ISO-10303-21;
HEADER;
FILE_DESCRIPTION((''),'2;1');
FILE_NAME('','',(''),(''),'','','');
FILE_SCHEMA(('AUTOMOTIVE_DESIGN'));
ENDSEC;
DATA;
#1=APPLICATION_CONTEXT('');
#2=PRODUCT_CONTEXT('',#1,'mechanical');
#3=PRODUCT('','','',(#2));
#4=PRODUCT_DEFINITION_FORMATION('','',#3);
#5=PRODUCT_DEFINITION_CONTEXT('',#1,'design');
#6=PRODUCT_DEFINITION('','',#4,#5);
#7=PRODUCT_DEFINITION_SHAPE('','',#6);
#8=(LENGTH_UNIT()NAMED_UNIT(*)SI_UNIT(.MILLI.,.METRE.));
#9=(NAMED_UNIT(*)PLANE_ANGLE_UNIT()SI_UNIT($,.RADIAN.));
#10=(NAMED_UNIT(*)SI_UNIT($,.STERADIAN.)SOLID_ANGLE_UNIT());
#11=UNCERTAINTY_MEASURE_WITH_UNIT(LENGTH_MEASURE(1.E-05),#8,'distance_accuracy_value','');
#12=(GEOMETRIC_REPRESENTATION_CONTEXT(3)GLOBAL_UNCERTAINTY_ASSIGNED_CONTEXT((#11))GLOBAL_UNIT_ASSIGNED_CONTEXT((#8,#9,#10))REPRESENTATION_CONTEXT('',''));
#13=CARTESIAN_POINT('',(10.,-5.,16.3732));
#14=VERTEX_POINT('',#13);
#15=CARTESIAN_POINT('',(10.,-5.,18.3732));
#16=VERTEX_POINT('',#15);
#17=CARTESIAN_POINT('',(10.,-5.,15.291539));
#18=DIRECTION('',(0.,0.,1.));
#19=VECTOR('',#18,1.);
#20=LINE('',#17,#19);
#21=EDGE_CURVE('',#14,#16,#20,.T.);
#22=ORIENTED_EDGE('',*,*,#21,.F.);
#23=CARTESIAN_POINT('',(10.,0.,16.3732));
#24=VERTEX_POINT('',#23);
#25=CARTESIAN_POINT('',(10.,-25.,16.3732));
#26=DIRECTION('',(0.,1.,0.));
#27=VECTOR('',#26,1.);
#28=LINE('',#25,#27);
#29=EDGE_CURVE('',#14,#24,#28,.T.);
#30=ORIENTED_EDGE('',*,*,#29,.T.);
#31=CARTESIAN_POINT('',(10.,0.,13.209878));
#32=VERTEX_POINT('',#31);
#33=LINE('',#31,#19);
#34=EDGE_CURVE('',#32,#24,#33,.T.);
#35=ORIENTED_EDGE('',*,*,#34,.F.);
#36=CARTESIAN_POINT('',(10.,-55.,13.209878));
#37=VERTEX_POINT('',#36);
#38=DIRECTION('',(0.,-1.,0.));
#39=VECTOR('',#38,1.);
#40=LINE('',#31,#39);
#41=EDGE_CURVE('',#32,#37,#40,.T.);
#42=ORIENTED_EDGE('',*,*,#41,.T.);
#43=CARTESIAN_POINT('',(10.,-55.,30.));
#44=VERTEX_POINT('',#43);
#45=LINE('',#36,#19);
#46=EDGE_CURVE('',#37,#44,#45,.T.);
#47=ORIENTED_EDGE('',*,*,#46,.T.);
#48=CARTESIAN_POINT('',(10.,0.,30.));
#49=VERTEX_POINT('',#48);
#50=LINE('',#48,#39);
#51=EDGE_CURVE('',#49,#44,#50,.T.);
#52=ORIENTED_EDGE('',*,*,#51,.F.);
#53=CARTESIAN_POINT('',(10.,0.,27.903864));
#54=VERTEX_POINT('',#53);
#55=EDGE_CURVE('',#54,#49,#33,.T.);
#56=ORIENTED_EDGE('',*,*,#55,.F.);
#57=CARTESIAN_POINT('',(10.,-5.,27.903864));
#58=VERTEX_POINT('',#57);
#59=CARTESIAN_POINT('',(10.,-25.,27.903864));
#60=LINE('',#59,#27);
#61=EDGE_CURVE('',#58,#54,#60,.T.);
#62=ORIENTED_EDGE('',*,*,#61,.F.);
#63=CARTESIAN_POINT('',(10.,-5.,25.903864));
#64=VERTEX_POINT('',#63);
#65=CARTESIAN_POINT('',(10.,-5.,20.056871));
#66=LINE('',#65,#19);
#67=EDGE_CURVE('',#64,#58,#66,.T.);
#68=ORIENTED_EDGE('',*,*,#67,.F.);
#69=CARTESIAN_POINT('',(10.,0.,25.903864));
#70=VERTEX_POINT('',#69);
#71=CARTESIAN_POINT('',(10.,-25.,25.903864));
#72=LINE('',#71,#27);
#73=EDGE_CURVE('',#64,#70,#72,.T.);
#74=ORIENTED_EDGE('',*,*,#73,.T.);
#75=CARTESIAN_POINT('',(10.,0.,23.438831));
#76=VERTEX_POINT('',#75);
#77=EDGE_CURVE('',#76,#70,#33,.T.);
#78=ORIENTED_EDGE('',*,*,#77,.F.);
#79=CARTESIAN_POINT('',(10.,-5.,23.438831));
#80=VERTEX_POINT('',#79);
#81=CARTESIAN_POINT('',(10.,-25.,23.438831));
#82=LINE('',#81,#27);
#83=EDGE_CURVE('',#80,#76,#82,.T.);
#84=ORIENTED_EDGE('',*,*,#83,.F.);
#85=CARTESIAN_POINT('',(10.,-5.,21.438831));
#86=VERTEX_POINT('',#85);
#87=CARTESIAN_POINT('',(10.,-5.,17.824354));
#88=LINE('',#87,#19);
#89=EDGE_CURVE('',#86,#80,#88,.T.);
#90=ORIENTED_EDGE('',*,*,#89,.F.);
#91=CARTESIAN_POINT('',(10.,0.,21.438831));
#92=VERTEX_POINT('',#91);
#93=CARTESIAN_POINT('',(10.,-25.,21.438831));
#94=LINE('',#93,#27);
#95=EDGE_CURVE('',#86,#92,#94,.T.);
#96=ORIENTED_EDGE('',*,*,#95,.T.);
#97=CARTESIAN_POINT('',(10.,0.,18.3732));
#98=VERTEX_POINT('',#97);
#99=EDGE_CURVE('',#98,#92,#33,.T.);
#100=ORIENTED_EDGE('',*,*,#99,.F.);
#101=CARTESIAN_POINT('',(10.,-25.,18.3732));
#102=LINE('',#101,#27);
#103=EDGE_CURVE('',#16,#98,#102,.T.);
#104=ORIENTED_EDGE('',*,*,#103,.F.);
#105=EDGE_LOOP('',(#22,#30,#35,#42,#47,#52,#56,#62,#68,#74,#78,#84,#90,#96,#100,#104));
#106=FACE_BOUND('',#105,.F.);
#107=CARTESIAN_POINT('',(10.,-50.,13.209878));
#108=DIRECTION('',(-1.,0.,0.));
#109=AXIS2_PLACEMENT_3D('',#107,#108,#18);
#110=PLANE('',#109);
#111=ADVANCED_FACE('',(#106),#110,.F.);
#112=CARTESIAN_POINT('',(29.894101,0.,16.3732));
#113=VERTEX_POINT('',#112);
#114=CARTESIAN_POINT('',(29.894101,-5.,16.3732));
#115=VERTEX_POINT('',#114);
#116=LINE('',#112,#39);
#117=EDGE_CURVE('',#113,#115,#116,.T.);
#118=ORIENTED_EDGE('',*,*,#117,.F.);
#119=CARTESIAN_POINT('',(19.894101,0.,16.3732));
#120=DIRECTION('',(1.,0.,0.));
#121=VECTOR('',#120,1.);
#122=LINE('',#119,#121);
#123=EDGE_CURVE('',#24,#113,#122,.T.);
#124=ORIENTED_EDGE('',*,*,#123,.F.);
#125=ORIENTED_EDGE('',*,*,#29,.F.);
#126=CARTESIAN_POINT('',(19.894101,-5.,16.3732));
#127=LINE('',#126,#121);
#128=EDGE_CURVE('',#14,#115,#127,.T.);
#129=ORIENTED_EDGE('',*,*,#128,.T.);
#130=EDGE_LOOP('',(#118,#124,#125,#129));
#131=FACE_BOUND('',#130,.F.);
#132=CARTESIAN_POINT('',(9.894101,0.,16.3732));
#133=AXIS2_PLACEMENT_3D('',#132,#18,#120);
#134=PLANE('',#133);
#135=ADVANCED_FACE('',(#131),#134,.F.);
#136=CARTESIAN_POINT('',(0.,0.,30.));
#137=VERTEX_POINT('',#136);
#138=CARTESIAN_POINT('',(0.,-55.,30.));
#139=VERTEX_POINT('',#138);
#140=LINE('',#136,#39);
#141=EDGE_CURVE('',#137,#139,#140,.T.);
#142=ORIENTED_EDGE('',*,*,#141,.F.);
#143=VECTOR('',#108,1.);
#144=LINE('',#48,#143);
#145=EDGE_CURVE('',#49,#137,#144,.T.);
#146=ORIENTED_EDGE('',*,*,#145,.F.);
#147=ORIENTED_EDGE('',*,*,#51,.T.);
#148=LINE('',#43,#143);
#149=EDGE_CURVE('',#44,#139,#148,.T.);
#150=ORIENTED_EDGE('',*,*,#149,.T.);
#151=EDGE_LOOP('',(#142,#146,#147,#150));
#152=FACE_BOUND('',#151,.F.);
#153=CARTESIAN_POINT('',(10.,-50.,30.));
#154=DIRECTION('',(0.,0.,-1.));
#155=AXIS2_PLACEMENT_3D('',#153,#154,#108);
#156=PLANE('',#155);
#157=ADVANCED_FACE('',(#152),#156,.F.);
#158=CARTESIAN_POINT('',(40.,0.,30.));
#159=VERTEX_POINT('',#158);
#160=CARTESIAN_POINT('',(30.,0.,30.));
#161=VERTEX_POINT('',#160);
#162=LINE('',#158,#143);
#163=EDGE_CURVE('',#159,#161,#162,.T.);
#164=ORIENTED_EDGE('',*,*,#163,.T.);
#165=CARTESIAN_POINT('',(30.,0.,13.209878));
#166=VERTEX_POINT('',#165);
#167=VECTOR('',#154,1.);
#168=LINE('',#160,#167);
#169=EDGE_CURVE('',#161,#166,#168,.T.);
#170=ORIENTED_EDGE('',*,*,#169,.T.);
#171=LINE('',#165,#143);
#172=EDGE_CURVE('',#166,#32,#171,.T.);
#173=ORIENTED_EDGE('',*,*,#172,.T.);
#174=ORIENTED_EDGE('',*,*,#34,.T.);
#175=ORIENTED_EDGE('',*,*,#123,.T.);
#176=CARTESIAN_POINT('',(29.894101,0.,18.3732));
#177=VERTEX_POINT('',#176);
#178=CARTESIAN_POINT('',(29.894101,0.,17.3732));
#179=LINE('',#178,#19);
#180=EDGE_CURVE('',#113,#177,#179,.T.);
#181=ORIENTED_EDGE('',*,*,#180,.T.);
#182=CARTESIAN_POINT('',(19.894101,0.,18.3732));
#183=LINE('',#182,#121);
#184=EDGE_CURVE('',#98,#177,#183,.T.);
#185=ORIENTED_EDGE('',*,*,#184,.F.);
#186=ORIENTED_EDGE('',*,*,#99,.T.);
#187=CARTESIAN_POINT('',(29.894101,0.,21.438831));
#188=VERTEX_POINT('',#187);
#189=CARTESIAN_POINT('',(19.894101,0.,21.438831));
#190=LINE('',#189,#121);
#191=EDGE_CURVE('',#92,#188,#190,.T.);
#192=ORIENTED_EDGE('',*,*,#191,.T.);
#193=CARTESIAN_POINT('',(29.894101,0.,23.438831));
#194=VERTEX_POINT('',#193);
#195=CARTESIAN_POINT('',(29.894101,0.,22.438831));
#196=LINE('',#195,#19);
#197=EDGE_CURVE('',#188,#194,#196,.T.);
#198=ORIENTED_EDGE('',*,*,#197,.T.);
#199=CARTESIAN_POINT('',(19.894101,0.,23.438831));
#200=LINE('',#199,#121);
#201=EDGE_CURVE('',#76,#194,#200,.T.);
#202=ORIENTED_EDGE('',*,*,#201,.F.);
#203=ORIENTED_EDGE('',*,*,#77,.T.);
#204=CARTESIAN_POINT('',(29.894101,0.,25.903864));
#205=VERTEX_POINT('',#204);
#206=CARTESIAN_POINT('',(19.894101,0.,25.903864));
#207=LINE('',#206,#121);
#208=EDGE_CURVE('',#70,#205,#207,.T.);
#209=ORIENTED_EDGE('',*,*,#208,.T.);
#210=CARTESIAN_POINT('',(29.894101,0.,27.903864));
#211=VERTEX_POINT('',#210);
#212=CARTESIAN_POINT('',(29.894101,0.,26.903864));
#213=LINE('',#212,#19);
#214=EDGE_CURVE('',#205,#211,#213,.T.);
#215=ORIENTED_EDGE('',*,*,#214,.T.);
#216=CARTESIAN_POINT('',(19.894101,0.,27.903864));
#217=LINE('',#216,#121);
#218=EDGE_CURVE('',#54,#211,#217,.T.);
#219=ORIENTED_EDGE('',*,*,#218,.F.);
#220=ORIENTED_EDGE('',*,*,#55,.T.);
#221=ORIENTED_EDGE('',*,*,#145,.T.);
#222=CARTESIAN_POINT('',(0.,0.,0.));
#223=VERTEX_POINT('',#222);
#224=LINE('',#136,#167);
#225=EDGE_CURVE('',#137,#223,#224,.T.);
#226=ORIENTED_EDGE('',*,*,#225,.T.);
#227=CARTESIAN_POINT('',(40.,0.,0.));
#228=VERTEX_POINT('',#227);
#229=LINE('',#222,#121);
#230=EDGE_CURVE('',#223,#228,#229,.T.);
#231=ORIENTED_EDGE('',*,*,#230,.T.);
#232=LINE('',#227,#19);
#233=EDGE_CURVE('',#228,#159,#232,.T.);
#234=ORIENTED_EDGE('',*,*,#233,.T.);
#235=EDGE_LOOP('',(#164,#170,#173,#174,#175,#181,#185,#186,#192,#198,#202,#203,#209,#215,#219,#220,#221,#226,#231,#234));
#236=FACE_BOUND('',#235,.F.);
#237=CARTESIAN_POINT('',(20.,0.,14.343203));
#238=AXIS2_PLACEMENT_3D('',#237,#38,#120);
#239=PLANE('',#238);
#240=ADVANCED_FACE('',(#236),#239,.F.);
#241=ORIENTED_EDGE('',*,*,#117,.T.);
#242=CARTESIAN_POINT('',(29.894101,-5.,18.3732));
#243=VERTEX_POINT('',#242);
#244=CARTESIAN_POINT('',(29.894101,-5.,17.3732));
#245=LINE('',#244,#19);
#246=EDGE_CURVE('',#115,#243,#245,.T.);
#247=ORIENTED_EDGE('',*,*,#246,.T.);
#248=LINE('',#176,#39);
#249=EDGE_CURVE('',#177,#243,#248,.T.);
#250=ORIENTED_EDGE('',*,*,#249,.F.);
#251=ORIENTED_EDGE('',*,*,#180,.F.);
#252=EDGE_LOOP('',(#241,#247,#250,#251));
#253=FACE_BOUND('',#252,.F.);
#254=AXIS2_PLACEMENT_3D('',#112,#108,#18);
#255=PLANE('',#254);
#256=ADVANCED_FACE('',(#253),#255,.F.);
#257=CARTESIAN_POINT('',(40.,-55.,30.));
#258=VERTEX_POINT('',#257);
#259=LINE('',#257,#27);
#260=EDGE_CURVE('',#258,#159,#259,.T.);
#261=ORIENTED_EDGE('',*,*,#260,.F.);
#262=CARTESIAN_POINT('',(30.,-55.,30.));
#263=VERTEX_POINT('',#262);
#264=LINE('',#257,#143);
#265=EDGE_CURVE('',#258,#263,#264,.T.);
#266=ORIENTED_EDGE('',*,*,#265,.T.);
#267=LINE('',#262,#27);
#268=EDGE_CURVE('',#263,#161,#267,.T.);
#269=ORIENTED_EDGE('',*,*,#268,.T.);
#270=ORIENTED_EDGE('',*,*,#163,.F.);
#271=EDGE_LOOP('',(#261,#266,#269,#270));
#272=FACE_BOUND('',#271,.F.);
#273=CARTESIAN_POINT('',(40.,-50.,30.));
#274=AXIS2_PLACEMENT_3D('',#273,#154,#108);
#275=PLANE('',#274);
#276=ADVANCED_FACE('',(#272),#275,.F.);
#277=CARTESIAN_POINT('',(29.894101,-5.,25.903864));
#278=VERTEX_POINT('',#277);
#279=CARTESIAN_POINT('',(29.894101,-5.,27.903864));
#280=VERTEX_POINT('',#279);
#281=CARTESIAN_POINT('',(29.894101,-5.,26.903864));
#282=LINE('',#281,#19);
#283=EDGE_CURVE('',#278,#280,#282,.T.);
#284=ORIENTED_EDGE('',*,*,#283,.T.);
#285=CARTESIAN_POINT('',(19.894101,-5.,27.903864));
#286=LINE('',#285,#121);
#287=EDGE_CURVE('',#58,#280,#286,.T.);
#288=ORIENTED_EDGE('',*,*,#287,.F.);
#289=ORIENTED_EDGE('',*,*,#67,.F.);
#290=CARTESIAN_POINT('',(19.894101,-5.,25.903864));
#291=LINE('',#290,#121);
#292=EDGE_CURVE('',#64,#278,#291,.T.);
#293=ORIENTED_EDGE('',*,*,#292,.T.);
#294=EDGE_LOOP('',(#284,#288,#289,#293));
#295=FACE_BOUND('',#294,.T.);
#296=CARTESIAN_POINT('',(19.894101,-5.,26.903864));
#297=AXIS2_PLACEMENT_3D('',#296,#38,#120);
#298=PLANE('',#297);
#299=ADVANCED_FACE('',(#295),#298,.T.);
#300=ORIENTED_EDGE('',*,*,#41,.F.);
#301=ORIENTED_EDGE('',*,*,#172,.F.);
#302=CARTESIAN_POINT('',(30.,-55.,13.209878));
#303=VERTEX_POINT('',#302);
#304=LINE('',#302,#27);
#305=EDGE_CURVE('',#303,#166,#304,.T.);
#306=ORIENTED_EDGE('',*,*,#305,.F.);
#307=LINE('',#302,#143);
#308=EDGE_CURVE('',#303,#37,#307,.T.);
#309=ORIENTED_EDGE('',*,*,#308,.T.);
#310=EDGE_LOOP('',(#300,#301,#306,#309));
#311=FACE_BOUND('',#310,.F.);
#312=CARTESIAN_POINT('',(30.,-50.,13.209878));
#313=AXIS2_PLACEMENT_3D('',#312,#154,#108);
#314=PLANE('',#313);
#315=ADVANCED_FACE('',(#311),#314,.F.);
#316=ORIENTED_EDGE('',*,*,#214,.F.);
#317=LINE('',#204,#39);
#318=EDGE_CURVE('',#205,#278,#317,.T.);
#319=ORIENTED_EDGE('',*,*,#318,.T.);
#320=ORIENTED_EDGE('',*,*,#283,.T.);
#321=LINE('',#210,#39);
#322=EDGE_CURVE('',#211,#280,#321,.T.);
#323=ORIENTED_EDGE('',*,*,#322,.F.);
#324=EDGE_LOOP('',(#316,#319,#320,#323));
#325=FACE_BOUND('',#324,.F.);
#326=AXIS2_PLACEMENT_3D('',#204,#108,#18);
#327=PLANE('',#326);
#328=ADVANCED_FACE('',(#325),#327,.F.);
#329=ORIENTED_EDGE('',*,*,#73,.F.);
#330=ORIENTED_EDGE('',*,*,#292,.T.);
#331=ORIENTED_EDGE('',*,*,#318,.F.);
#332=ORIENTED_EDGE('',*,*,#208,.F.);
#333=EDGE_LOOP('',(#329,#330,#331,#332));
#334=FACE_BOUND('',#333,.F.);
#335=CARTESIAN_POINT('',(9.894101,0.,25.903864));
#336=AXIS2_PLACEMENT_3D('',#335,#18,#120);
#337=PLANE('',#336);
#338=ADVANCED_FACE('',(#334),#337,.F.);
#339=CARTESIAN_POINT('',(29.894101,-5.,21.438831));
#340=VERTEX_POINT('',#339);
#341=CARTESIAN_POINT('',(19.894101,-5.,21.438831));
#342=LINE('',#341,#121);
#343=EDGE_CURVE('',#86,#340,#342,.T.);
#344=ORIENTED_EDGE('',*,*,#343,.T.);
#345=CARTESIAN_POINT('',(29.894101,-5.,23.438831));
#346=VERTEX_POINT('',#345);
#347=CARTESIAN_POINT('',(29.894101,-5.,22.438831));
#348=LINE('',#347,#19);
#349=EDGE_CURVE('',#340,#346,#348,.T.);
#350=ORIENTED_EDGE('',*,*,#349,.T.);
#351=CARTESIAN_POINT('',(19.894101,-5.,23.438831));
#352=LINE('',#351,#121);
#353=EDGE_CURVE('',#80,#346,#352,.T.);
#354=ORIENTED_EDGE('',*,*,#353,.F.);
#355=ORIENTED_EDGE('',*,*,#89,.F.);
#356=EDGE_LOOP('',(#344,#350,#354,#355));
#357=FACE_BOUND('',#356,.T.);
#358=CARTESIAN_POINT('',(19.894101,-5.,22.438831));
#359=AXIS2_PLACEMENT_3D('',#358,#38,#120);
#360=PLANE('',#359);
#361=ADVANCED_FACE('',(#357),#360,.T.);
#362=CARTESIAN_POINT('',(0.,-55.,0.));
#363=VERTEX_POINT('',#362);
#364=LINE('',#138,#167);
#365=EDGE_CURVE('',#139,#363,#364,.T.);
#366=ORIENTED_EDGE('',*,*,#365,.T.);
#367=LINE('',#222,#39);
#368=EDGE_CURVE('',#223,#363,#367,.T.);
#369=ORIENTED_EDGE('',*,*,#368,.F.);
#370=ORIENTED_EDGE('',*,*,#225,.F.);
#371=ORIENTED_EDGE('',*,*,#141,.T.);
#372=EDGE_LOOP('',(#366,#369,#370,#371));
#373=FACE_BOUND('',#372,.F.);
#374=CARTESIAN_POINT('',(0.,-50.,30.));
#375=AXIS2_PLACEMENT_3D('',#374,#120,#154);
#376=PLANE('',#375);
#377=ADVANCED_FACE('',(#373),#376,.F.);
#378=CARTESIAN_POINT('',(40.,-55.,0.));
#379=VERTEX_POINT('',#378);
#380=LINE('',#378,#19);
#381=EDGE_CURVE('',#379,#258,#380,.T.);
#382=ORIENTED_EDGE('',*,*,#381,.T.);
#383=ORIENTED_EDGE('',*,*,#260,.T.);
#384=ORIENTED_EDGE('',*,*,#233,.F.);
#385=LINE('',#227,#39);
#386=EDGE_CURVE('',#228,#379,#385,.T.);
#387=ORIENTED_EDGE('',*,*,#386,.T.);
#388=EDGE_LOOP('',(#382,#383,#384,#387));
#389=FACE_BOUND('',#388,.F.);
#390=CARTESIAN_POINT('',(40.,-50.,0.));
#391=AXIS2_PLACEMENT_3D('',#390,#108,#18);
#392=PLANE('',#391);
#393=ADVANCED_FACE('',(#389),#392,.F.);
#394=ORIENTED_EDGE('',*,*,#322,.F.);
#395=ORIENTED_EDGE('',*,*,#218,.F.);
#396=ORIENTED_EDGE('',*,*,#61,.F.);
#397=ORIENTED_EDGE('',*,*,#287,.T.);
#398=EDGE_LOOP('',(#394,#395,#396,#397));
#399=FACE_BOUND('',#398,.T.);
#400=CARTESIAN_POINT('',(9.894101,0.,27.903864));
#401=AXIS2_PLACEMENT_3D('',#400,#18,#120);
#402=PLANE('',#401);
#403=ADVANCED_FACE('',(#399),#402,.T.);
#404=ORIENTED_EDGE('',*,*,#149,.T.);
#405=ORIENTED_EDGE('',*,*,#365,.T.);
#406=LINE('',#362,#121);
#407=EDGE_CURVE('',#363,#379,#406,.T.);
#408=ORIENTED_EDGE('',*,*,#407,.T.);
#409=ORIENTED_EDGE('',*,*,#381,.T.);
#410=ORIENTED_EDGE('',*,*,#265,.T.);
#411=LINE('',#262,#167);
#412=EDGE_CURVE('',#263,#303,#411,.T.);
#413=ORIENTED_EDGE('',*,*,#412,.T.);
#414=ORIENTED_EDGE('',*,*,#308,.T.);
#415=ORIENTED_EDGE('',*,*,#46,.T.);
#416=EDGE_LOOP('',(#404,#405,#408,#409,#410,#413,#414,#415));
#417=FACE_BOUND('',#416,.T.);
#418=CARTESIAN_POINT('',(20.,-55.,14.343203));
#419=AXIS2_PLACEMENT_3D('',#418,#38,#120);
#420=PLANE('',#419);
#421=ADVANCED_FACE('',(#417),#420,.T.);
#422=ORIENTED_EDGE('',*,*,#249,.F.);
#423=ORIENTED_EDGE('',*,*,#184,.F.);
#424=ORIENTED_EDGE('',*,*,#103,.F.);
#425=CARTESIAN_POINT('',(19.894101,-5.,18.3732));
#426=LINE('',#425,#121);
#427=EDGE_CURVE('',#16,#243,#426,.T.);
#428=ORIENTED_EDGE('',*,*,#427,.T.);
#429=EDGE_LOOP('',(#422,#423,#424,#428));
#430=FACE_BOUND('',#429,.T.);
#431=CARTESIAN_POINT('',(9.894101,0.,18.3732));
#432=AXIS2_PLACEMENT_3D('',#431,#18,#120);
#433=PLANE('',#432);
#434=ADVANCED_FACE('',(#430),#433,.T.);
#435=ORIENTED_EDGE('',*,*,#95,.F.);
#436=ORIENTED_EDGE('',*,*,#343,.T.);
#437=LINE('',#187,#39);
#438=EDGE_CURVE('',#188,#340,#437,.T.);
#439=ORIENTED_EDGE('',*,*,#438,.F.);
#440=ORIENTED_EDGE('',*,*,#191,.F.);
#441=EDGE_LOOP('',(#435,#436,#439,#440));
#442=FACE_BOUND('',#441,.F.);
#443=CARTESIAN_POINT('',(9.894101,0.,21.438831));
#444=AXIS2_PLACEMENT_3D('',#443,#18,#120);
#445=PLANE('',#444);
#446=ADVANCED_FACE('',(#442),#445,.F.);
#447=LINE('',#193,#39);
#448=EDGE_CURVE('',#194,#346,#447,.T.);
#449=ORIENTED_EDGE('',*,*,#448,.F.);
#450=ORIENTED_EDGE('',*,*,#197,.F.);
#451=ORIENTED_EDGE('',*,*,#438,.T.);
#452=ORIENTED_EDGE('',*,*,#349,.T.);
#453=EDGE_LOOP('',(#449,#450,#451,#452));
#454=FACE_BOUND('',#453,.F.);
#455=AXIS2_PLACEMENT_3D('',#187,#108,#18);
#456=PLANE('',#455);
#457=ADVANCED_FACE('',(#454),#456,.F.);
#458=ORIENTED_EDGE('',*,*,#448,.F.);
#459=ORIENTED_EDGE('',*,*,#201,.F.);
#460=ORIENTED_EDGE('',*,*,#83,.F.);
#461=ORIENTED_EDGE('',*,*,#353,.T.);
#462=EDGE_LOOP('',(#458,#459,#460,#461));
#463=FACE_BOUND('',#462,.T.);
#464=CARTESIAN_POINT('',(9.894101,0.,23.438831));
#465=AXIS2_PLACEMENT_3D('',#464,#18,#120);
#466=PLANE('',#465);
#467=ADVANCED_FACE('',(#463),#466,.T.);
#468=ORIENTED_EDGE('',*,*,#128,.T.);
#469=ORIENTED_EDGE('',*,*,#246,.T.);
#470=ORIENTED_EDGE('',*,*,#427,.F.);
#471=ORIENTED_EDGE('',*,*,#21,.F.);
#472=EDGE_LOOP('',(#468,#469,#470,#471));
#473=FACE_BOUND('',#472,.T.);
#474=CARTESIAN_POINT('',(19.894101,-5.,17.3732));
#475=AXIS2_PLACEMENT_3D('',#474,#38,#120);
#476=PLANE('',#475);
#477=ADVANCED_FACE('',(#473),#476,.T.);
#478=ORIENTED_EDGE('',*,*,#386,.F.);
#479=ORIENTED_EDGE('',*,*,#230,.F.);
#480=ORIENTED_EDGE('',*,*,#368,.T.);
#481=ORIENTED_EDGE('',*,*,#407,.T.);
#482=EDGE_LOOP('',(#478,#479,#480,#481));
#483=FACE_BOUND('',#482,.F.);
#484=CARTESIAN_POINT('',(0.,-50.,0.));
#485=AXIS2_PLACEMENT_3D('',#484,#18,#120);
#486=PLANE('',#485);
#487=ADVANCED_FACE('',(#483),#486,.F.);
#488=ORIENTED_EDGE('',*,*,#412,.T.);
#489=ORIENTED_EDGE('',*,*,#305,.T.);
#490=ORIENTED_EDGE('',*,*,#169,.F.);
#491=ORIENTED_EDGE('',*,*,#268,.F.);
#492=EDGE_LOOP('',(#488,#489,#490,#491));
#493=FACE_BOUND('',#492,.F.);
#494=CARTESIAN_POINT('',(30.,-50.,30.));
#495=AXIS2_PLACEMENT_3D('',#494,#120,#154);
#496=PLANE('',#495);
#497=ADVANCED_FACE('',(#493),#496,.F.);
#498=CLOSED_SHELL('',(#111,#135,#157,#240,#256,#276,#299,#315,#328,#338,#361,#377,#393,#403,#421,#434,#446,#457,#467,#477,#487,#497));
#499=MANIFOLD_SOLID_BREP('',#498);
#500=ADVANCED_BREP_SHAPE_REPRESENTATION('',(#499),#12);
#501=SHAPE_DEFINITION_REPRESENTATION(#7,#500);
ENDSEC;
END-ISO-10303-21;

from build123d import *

# Parameters (mm, degrees)
F1_DEPTH = 50
F2_DEPTH = 5
F3_W     = 20
F3_H     = 2
F4_DEPTH = 5


with BuildPart() as f1:
    # F0 (on Front) → F1 (new body)
    with BuildSketch(Plane.XZ):
        Polygon((0, 30), (0, 0), (40, 0), (40, 30), (30, 30), (30, 13.209878), (10, 13.209878), (10, 30), align=None)
    extrude(amount=F1_DEPTH)

    # F1_face (on face) → F2 (join)
    with BuildSketch(Plane(origin=(20, -50, 12.43351), x_dir=(1, 0, 0), z_dir=(0, -1, 0))):
        Polygon((10, 0.776368), (-10, 0.776368), (-10, 17.56649), (-20, 17.56649), (-20, -12.43351), (20, -12.43351), (20, 17.56649), (10, 17.56649), align=None)
    extrude(amount=F2_DEPTH)

    # F3 (on Front) → F4 (join)
    with BuildSketch(Plane.XZ):
        with Locations((19.894101, 17.3732)):
            Rectangle(F3_W, F3_H)
        with Locations((19.894101, 22.438831)):
            Rectangle(F3_W, F3_H)
        with Locations((19.894101, 26.903864)):
            Rectangle(F3_W, F3_H)
    extrude(amount=F4_DEPTH)


solid = f1.part
